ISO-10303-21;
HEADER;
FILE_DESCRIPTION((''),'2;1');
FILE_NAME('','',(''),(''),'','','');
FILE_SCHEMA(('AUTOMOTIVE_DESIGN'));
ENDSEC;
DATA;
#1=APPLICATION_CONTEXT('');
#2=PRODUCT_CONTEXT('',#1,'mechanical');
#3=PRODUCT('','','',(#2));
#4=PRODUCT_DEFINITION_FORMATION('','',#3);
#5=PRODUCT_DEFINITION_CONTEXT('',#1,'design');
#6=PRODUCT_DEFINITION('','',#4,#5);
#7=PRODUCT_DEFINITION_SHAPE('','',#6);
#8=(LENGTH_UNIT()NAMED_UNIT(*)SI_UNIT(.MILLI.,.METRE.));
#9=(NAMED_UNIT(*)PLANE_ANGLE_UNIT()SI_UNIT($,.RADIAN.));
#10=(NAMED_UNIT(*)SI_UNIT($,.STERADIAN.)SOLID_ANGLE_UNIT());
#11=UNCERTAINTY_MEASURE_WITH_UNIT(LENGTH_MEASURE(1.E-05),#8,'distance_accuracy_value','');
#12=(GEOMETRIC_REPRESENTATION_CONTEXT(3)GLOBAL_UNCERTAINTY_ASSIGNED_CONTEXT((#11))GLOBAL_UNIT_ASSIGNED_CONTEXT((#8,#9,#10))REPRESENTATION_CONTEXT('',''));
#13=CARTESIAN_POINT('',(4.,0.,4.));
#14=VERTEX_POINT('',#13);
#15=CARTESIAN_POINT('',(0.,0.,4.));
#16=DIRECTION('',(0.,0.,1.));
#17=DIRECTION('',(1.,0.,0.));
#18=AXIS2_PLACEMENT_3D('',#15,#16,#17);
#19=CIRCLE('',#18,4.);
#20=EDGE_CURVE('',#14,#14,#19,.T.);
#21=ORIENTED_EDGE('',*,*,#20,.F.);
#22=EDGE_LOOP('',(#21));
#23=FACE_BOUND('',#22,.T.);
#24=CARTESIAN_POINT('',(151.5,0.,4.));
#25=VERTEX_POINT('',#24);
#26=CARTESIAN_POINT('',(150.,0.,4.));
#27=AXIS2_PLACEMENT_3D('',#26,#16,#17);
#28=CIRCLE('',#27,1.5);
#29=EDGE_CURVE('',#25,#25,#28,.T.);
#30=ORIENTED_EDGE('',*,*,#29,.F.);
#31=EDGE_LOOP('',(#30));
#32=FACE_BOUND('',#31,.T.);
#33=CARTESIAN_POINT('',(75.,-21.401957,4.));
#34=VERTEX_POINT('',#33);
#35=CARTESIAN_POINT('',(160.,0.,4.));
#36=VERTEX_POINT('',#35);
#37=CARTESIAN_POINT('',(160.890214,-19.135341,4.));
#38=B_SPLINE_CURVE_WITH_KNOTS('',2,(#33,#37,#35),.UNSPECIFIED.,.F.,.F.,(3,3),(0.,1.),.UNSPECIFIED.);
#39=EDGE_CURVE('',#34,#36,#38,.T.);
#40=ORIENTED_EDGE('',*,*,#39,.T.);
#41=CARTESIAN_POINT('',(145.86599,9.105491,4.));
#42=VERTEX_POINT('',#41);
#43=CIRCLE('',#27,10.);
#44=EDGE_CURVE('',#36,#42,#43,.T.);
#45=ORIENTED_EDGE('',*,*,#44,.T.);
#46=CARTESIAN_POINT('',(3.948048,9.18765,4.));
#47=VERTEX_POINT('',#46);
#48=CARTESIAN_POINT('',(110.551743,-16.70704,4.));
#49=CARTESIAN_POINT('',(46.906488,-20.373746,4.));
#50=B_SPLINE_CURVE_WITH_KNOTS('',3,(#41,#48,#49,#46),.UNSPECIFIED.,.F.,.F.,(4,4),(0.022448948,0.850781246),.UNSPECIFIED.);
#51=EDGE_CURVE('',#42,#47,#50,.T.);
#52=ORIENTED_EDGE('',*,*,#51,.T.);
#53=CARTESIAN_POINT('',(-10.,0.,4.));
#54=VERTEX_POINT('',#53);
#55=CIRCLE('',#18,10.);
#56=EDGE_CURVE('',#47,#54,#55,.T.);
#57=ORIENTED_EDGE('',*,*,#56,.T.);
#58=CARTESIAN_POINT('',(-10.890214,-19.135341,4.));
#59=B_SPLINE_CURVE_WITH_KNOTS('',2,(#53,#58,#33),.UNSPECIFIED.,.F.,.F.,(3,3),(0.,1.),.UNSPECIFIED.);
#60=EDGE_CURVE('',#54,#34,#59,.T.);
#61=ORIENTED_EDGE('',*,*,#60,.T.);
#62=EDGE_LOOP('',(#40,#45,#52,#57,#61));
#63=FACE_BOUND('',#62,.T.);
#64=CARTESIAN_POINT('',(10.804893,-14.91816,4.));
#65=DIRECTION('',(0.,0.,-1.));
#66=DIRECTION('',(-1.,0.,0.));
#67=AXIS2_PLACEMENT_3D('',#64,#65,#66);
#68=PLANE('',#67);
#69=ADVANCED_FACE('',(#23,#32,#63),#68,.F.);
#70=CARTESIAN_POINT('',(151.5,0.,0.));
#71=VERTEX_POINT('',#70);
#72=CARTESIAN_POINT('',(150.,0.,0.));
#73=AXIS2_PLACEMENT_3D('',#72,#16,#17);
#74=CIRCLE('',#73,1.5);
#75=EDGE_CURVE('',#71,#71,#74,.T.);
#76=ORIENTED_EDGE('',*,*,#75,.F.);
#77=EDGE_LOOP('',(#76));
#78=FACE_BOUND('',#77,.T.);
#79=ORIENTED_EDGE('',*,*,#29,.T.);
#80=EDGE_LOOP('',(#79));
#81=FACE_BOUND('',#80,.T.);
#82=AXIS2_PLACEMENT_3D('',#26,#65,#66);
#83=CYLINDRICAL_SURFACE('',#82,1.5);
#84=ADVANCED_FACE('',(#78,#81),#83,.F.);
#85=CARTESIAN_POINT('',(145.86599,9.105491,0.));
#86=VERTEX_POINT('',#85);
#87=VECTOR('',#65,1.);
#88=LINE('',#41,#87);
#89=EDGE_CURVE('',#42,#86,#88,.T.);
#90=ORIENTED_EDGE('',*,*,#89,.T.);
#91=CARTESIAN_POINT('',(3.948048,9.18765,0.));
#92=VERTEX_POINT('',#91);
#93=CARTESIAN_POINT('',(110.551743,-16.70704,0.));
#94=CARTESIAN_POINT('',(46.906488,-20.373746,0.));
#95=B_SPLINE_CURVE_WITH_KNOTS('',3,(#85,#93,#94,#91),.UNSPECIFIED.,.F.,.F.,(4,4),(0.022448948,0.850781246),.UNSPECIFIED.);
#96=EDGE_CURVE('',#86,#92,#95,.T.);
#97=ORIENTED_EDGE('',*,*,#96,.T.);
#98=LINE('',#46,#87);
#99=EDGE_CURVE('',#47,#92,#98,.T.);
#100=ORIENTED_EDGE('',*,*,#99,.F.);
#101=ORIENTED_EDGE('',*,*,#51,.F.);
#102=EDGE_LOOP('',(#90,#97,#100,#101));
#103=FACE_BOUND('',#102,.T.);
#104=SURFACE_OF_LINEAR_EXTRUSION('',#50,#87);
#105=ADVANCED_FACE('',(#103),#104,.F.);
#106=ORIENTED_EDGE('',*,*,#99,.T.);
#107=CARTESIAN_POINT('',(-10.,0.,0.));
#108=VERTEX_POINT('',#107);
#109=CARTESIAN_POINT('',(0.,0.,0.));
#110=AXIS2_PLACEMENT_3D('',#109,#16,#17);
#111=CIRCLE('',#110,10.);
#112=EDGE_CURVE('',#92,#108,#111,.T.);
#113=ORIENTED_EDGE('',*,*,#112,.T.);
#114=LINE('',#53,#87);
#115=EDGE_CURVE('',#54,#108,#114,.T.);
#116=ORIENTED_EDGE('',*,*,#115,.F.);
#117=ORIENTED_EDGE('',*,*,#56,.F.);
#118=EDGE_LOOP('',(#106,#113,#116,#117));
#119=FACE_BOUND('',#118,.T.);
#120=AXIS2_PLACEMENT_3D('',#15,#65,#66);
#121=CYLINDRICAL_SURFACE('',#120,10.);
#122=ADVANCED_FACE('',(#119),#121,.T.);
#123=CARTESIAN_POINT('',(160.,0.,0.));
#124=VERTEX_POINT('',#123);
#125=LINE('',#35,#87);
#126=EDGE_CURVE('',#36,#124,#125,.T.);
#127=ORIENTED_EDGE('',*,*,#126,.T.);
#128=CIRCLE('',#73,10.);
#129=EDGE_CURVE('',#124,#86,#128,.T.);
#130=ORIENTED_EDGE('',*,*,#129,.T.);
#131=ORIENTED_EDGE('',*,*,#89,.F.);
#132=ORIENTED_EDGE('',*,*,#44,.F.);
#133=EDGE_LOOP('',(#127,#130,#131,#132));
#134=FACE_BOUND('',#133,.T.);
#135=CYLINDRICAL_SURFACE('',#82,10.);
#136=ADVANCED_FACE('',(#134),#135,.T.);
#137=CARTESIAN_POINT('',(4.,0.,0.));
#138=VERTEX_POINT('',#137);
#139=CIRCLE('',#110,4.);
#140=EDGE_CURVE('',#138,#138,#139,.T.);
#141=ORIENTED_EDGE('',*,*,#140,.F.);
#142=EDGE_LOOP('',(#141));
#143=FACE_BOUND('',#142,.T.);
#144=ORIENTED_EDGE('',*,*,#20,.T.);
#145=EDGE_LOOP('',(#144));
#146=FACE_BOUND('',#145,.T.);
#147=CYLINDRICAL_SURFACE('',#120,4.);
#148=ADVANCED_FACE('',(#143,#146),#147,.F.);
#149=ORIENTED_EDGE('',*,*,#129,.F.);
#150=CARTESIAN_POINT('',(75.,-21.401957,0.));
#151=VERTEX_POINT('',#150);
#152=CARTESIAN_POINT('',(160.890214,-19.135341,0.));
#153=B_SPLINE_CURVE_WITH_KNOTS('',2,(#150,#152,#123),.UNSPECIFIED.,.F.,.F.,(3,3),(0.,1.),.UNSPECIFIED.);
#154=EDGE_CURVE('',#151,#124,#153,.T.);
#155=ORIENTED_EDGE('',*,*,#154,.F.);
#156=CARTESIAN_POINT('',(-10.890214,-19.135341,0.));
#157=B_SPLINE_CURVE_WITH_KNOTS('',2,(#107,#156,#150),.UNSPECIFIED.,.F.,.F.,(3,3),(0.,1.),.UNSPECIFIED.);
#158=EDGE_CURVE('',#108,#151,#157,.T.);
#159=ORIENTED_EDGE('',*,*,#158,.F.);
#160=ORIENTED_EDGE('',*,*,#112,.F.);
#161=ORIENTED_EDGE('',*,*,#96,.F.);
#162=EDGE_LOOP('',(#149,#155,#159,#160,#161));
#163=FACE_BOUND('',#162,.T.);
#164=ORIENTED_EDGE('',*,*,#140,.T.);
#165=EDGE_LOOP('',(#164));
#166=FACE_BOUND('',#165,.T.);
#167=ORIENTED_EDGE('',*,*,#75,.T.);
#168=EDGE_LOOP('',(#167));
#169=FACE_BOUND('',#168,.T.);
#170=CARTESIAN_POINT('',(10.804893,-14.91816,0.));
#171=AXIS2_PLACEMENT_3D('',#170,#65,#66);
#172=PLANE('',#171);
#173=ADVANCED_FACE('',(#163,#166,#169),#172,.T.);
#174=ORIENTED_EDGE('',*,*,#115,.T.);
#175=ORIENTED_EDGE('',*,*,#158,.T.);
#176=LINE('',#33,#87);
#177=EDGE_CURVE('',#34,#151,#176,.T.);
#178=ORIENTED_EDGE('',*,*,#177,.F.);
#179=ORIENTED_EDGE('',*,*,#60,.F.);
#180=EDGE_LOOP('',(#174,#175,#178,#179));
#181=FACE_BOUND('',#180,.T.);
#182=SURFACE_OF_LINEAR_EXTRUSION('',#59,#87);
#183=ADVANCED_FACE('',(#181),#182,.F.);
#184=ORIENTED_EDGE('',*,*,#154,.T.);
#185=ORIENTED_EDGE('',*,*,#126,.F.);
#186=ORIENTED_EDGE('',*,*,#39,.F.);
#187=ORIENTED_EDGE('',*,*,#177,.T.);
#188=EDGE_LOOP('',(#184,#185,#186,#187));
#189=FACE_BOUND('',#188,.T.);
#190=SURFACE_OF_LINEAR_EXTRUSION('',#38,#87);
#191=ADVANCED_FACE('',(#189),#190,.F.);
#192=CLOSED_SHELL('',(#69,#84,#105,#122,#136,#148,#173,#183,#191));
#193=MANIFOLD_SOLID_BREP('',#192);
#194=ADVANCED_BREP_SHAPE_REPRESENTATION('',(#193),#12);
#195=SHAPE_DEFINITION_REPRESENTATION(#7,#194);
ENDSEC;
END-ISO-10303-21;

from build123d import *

# Parameters (mm, degrees)
SKETCH_1_R      = 4
SKETCH_1_R_2    = 1.5
EXTRUDE_1_DEPTH = 4


with BuildPart() as part:
    # 草图1 → 凸台-拉伸1 (new body)
    with BuildSketch(Plane.XY):
        with BuildLine():
            ThreePointArc((3.948047826, 9.187650318), (-5.50088728, 8.351062156), (-10, 0))
            add(Edge.make_bspline(
                [(-10, 0), (-10.890214237, -19.135341361), (75, -21.401956932)],
                knots=[0, 0, 0, 1, 1, 1], degree=2))
            add(Edge.make_bspline(
                [(160, 0), (160.890214237, -19.135341361), (75, -21.401956932)],
                knots=[0, 0, 0, 1, 1, 1], degree=2))
            ThreePointArc((160, 0), (155.415713455, 8.40654791), (145.865990446, 9.105490926))
            add(Edge.make_bspline(
                [(3.948047826, 9.187650318), (46.906488456, -20.373746255), (110.551742639, -16.70704022), (145.865990446, 9.105490926)],
                knots=[0.022448948, 0.022448948, 0.022448948, 0.022448948, 0.850781246, 0.850781246, 0.850781246, 0.850781246], degree=3))
        make_face()
        Circle(SKETCH_1_R, mode=Mode.SUBTRACT)
        with Locations((150, 0)):
            Circle(SKETCH_1_R_2, mode=Mode.SUBTRACT)
    extrude(amount=EXTRUDE_1_DEPTH)


solid = part.part
